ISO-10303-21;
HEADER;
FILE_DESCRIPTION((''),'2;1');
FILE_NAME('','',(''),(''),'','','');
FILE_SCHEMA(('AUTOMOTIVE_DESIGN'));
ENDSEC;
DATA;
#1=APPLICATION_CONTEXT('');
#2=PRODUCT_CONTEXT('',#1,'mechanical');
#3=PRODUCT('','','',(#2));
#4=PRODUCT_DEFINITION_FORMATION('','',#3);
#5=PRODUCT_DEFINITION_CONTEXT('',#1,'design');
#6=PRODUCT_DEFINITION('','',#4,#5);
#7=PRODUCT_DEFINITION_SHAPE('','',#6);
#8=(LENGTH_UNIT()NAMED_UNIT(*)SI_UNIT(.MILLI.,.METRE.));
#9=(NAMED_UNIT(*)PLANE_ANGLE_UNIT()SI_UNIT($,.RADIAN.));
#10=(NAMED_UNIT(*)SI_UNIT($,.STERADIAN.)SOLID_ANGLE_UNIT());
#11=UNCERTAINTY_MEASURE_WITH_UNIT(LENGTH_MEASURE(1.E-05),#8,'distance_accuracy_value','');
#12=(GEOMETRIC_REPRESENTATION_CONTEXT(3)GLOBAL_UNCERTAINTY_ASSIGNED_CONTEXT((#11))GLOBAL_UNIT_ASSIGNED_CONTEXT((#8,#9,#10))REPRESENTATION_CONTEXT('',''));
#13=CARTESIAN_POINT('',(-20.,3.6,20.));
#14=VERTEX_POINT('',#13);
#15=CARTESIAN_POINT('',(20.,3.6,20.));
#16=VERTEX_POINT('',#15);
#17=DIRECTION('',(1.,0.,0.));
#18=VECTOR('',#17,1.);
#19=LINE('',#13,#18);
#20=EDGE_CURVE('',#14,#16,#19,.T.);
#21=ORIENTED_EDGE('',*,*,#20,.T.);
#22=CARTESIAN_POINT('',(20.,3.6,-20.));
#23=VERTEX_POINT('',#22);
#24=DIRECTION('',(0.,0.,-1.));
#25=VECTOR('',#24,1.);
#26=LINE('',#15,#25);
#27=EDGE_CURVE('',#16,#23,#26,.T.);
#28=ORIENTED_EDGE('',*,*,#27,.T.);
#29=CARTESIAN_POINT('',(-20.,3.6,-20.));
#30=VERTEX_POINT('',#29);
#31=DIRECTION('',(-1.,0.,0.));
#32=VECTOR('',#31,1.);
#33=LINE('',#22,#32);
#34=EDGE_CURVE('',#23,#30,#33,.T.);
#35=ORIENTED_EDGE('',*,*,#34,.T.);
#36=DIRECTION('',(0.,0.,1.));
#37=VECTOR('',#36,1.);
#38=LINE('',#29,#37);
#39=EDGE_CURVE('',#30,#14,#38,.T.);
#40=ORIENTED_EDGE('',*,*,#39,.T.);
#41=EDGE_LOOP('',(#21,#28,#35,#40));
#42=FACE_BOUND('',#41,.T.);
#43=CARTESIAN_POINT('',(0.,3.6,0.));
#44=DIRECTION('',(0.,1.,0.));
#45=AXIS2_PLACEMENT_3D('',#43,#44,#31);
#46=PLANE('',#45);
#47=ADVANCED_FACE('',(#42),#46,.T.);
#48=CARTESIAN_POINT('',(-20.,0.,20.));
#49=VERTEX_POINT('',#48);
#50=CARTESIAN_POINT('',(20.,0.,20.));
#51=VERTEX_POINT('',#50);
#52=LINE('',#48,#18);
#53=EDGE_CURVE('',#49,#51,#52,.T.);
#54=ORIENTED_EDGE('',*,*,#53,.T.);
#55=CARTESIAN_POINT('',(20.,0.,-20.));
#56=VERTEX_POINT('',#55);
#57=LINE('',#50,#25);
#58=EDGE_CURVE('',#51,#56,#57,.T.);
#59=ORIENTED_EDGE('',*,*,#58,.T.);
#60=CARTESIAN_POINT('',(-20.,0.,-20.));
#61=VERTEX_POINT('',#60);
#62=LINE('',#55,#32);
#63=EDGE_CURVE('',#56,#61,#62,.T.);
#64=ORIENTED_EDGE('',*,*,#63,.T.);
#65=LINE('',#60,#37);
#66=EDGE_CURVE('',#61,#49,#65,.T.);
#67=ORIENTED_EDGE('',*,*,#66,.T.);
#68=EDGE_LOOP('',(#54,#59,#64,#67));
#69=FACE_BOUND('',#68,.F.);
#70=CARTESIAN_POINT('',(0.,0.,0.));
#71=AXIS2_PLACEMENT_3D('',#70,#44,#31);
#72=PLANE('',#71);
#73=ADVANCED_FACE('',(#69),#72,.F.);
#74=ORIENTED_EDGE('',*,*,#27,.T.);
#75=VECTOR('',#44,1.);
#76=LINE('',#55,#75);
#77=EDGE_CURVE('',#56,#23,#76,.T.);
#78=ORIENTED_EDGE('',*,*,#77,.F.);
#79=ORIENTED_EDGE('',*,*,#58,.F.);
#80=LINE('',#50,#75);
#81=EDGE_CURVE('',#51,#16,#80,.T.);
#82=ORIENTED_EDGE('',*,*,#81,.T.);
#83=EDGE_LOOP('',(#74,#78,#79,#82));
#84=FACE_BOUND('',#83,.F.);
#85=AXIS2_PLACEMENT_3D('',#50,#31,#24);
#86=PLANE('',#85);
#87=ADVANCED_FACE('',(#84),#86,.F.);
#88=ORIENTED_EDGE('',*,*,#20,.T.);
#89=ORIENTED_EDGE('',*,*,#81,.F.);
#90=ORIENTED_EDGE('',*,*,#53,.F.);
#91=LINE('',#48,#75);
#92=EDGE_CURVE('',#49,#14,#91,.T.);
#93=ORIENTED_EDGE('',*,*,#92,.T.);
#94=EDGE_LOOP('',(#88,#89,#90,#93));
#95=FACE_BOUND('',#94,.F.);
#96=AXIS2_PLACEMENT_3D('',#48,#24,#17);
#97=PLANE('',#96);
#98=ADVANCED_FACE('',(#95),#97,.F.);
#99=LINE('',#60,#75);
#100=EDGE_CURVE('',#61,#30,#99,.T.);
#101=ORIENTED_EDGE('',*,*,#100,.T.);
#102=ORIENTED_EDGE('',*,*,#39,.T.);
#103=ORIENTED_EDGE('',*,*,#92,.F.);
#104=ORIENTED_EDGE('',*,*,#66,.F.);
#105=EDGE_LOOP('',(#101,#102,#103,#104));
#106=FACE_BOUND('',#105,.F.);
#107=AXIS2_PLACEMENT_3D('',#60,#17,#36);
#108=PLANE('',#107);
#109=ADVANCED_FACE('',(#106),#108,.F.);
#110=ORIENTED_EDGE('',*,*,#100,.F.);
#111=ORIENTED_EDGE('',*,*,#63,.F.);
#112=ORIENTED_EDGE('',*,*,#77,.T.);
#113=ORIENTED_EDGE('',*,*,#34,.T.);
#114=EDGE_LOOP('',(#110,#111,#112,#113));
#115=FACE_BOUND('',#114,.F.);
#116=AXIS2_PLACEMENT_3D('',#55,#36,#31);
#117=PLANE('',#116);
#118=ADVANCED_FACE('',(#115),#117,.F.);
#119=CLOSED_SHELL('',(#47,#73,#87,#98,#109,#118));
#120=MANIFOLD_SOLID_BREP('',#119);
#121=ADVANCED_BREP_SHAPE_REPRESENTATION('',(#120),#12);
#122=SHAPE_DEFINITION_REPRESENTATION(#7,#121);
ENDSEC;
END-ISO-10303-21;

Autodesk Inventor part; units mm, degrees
ref_plane "YZ Plane" through (0, 0, 0) normal (1, 0, 0) x (0, 1, 0)
ref_plane "XZ Plane" through (0, 0, 0) normal (0, 1, 0) x (-1, 0, 0)
ref_plane "XY Plane" through (0, 0, 0) normal (0, 0, 1) x (1, 0, 0)
sketch "Szkic1" plane through (0, 0, 0) normal (0, 1, 0) x (-1, 0, 0)
  line L0 (20, 20) -> (-20, 20)
  line L1 (-20, 20) -> (-20, -20)
  line L2 (-20, -20) -> (20, -20)
  line L3 (20, -20) -> (20, 20)
  point P0 (0, 0)
  dimension "d0" = 40
  dimension "d1" = 40
  dimension "d2" = 20
  dimension "d3" = 20
extrude "Wyciągnięcie proste1" add sketch "Szkic1" along normal blind 3.6
properties part number "Peltier"
